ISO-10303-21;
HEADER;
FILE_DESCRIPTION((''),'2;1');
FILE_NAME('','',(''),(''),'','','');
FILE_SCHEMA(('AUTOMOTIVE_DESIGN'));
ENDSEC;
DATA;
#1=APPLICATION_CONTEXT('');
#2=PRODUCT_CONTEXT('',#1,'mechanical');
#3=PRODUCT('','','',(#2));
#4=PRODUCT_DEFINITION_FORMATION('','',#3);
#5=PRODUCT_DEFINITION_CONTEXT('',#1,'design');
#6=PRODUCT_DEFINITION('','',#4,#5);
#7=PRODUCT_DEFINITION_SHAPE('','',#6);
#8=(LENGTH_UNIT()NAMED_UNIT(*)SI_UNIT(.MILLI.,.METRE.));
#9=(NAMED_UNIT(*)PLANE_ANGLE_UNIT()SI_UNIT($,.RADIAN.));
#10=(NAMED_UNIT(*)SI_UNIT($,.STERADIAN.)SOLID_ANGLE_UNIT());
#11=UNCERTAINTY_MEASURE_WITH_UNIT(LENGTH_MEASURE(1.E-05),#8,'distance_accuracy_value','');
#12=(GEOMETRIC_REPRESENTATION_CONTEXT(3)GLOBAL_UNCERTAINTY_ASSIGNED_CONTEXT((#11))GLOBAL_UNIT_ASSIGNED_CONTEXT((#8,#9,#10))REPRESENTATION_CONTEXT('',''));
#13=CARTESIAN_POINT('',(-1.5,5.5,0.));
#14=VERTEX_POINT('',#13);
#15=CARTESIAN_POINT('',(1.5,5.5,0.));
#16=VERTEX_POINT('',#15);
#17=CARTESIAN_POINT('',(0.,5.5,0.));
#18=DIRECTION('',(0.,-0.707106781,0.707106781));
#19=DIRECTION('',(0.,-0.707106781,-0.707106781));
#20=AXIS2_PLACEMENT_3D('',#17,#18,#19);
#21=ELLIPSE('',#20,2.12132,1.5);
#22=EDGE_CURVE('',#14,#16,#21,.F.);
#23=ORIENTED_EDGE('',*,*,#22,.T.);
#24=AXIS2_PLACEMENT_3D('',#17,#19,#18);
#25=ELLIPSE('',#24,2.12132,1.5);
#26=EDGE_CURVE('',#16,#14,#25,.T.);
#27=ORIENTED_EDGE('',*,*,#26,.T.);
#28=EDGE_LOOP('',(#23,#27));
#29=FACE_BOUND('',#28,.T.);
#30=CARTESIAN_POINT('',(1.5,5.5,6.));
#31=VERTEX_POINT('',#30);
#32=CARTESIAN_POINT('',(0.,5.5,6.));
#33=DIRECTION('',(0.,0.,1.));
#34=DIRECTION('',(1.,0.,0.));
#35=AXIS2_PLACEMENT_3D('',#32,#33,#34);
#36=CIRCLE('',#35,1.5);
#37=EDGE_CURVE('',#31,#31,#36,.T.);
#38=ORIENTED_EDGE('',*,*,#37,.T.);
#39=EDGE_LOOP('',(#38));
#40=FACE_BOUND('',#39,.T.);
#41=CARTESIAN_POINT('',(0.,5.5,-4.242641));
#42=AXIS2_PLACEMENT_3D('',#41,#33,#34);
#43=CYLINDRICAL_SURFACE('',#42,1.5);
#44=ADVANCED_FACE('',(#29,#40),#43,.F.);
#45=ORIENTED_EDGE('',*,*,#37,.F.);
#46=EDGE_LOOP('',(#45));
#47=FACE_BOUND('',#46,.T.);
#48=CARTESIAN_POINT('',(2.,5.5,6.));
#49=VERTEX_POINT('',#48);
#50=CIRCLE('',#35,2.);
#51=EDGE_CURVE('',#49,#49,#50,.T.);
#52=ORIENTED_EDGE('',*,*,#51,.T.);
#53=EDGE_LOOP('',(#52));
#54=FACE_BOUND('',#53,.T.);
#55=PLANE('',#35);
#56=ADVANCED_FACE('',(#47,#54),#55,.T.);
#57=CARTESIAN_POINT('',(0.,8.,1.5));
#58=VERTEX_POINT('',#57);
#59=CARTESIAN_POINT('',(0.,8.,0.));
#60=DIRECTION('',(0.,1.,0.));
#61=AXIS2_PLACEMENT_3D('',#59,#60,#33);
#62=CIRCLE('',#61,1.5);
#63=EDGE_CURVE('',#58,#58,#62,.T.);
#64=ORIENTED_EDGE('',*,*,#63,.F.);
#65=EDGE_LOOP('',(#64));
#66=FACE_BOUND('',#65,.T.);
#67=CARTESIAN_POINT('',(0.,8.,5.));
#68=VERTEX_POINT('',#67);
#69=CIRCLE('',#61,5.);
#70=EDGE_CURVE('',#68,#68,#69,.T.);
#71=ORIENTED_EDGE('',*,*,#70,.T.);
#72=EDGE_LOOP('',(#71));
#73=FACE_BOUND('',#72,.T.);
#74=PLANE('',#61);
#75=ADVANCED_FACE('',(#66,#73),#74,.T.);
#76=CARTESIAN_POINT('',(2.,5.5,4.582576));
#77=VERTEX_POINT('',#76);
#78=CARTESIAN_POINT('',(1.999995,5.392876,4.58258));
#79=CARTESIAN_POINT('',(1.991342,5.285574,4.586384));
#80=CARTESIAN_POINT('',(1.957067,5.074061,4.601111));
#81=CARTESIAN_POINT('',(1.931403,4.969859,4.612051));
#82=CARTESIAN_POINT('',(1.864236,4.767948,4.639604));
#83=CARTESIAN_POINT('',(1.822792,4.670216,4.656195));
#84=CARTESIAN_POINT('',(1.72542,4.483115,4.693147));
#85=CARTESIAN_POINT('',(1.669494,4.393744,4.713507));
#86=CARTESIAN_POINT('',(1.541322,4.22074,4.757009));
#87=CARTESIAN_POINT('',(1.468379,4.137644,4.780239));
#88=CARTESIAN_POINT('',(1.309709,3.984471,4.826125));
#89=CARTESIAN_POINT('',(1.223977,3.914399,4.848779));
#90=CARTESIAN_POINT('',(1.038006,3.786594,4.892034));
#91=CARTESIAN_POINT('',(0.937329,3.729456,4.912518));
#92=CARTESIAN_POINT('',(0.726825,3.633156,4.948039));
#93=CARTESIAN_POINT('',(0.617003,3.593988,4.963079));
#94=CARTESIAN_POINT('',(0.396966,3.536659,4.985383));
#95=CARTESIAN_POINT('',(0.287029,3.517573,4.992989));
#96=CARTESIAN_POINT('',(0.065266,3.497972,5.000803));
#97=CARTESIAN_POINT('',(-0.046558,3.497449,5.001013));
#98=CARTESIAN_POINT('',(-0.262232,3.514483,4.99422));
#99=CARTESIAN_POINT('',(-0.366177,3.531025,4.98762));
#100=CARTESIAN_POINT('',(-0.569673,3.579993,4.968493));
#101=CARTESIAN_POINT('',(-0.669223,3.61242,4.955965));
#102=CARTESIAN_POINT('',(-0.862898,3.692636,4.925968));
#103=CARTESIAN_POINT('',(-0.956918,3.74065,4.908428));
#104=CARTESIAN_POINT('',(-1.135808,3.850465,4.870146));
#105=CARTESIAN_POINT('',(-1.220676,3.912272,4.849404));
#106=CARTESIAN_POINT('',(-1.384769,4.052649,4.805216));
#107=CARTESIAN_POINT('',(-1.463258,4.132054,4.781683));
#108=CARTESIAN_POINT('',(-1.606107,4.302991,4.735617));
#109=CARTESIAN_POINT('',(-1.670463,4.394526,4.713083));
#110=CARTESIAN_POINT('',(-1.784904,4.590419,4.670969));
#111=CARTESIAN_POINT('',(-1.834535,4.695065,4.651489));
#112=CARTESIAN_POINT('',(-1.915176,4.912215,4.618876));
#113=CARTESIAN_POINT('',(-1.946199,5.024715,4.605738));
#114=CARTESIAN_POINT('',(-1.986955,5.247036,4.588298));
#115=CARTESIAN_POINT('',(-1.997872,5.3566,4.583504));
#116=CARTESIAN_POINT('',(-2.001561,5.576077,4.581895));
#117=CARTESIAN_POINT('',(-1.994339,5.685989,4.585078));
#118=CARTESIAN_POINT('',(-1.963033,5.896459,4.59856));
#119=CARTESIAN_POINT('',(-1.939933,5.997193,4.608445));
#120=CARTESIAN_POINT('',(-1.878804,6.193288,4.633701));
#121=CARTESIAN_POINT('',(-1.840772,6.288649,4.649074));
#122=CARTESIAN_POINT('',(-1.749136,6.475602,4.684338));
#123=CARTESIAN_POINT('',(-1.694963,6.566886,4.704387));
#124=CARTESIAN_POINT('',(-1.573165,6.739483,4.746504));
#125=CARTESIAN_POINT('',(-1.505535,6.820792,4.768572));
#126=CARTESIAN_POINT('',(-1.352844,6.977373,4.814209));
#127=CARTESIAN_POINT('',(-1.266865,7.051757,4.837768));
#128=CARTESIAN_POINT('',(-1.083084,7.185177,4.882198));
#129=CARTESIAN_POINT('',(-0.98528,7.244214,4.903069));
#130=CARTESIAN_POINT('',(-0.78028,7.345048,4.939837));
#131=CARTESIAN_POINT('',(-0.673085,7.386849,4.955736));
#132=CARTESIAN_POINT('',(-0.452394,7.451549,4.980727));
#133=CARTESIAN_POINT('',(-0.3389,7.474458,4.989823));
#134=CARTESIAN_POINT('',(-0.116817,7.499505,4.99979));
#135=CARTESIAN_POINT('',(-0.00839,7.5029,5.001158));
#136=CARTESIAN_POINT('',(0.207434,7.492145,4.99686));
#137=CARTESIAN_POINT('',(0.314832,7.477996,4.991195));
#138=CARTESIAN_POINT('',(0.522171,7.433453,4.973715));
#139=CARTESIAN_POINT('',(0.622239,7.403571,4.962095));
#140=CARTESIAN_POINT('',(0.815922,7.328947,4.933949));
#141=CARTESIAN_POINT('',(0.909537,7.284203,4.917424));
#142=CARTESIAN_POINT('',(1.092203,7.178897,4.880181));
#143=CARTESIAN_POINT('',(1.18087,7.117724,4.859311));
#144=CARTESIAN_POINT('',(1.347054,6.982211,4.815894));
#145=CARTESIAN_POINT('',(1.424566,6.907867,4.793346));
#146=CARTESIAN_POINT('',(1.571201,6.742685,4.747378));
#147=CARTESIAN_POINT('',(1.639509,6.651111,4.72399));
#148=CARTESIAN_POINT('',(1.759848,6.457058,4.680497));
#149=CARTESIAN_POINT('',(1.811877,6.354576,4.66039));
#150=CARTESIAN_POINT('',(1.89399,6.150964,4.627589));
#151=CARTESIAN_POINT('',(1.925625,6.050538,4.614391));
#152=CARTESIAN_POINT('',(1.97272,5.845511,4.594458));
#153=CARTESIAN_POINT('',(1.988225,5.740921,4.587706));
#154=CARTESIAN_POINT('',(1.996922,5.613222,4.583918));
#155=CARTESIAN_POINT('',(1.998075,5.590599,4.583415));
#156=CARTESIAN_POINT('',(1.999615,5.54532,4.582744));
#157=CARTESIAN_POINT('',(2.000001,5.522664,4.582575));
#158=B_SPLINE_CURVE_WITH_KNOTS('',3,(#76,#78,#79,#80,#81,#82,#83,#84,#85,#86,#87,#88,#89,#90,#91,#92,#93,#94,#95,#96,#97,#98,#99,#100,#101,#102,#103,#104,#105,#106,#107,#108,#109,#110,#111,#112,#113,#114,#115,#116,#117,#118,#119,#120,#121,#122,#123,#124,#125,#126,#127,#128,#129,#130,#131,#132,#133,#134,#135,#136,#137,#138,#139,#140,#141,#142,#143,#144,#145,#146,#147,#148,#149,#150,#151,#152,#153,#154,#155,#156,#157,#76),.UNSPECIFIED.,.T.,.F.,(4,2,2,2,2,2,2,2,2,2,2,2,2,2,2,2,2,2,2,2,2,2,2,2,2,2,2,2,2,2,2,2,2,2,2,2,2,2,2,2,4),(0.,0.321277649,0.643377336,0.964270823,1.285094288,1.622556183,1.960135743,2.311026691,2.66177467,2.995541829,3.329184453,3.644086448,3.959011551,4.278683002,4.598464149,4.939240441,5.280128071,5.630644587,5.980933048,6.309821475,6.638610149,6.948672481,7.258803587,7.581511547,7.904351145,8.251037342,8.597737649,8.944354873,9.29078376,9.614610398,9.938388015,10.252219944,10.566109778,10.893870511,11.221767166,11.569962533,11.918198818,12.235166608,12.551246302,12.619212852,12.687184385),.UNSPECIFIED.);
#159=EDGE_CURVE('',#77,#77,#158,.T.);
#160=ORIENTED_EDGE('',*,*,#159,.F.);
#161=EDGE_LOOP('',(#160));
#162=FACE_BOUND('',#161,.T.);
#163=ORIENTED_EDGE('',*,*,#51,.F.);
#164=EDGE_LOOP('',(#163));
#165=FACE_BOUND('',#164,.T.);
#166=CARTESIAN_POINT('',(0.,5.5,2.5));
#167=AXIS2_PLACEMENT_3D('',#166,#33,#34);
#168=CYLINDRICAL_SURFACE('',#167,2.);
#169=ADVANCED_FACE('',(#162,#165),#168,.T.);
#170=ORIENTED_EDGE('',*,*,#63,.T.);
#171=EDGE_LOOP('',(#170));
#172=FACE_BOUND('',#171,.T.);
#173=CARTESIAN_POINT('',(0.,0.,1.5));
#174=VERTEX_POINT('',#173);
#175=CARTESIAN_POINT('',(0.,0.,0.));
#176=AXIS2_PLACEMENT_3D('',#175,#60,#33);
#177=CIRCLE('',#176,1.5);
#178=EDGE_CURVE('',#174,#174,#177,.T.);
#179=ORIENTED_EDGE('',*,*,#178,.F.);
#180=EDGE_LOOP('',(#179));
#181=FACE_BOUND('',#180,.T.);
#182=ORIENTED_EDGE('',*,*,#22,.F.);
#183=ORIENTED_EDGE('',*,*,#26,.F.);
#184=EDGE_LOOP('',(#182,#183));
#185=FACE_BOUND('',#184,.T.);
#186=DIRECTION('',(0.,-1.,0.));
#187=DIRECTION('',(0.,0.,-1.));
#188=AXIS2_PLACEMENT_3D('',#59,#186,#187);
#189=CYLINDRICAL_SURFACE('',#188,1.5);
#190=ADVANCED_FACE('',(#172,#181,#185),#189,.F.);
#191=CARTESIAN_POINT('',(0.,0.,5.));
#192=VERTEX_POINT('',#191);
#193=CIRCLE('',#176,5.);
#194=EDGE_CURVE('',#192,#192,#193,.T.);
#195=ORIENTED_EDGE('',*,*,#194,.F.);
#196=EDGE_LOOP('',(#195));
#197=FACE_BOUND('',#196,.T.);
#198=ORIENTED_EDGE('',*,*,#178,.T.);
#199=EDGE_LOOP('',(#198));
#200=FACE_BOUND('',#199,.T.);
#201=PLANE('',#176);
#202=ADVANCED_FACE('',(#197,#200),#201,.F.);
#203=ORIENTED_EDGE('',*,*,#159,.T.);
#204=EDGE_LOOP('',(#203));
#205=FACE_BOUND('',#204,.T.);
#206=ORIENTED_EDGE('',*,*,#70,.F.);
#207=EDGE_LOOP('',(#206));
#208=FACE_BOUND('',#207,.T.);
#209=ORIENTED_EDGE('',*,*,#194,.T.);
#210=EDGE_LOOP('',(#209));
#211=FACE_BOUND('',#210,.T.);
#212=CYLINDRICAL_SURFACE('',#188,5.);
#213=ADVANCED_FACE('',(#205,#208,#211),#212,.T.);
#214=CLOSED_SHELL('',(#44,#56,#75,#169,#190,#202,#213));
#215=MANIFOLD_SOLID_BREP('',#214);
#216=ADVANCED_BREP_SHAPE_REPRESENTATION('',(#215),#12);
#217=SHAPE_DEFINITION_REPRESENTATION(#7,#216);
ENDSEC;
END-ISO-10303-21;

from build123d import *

# Parameters (mm, degrees)
SKETCH1_R               = 5
SKETCH1_R_2             = 1.5
BOSS_EXTRUDE1_DEPTH     = 8
SKETCH6_R               = 2
BOSS_EXTRUDE4_DEPTH     = 3.5
CUT_EXTRUDE3_REACH      = 16.491
CUT_EXTRUDE3_END_RADIUS = 1.5
SKETCH7_R               = 1.5


with BuildPart() as part:
    # Sketch1 → Boss-Extrude1 (new body)
    with BuildSketch(Plane(origin=(0, 0, 0), x_dir=(1, 0, 0), z_dir=(0, 1, 0))):
        with Locations(Location((0, 0, 0), (0, 0, 270))):
            Circle(SKETCH1_R)
        with Locations(Location((0, 0, 0), (0, 0, 270))):
            Circle(SKETCH1_R_2, mode=Mode.SUBTRACT)
    extrude(amount=BOSS_EXTRUDE1_DEPTH)

    # Sketch6 → Boss-Extrude4 (add)
    with BuildSketch(Plane.XY.offset(6)):
        with Locations((0, 5.5)):
            Circle(SKETCH6_R)
    extrude(amount=-BOSS_EXTRUDE4_DEPTH)

    # Cut-Extrude3: up to this cylinder (the profile starts outside it)
    cut_extrude3_end = Plane(origin=(0, 5.5, 0), z_dir=(0, -1, 0)) * Cylinder(CUT_EXTRUDE3_END_RADIUS, 36.982, mode=Mode.PRIVATE)
    # Sketch7 → Cut-Extrude3 (cut, up to the surface)
    with BuildSketch(Plane.XY.offset(6), mode=Mode.PRIVATE) as cut_extrude3_sk1:
        with Locations((0, 5.5)):
            Circle(SKETCH7_R)
    cut_extrude3_tool1 = extrude(cut_extrude3_sk1.sketch, amount=-CUT_EXTRUDE3_REACH, mode=Mode.PRIVATE) - cut_extrude3_end
    add(cut_extrude3_tool1.solids().sort_by_distance((0, 5.5, 6))[0], mode=Mode.SUBTRACT)


solid = part.part
